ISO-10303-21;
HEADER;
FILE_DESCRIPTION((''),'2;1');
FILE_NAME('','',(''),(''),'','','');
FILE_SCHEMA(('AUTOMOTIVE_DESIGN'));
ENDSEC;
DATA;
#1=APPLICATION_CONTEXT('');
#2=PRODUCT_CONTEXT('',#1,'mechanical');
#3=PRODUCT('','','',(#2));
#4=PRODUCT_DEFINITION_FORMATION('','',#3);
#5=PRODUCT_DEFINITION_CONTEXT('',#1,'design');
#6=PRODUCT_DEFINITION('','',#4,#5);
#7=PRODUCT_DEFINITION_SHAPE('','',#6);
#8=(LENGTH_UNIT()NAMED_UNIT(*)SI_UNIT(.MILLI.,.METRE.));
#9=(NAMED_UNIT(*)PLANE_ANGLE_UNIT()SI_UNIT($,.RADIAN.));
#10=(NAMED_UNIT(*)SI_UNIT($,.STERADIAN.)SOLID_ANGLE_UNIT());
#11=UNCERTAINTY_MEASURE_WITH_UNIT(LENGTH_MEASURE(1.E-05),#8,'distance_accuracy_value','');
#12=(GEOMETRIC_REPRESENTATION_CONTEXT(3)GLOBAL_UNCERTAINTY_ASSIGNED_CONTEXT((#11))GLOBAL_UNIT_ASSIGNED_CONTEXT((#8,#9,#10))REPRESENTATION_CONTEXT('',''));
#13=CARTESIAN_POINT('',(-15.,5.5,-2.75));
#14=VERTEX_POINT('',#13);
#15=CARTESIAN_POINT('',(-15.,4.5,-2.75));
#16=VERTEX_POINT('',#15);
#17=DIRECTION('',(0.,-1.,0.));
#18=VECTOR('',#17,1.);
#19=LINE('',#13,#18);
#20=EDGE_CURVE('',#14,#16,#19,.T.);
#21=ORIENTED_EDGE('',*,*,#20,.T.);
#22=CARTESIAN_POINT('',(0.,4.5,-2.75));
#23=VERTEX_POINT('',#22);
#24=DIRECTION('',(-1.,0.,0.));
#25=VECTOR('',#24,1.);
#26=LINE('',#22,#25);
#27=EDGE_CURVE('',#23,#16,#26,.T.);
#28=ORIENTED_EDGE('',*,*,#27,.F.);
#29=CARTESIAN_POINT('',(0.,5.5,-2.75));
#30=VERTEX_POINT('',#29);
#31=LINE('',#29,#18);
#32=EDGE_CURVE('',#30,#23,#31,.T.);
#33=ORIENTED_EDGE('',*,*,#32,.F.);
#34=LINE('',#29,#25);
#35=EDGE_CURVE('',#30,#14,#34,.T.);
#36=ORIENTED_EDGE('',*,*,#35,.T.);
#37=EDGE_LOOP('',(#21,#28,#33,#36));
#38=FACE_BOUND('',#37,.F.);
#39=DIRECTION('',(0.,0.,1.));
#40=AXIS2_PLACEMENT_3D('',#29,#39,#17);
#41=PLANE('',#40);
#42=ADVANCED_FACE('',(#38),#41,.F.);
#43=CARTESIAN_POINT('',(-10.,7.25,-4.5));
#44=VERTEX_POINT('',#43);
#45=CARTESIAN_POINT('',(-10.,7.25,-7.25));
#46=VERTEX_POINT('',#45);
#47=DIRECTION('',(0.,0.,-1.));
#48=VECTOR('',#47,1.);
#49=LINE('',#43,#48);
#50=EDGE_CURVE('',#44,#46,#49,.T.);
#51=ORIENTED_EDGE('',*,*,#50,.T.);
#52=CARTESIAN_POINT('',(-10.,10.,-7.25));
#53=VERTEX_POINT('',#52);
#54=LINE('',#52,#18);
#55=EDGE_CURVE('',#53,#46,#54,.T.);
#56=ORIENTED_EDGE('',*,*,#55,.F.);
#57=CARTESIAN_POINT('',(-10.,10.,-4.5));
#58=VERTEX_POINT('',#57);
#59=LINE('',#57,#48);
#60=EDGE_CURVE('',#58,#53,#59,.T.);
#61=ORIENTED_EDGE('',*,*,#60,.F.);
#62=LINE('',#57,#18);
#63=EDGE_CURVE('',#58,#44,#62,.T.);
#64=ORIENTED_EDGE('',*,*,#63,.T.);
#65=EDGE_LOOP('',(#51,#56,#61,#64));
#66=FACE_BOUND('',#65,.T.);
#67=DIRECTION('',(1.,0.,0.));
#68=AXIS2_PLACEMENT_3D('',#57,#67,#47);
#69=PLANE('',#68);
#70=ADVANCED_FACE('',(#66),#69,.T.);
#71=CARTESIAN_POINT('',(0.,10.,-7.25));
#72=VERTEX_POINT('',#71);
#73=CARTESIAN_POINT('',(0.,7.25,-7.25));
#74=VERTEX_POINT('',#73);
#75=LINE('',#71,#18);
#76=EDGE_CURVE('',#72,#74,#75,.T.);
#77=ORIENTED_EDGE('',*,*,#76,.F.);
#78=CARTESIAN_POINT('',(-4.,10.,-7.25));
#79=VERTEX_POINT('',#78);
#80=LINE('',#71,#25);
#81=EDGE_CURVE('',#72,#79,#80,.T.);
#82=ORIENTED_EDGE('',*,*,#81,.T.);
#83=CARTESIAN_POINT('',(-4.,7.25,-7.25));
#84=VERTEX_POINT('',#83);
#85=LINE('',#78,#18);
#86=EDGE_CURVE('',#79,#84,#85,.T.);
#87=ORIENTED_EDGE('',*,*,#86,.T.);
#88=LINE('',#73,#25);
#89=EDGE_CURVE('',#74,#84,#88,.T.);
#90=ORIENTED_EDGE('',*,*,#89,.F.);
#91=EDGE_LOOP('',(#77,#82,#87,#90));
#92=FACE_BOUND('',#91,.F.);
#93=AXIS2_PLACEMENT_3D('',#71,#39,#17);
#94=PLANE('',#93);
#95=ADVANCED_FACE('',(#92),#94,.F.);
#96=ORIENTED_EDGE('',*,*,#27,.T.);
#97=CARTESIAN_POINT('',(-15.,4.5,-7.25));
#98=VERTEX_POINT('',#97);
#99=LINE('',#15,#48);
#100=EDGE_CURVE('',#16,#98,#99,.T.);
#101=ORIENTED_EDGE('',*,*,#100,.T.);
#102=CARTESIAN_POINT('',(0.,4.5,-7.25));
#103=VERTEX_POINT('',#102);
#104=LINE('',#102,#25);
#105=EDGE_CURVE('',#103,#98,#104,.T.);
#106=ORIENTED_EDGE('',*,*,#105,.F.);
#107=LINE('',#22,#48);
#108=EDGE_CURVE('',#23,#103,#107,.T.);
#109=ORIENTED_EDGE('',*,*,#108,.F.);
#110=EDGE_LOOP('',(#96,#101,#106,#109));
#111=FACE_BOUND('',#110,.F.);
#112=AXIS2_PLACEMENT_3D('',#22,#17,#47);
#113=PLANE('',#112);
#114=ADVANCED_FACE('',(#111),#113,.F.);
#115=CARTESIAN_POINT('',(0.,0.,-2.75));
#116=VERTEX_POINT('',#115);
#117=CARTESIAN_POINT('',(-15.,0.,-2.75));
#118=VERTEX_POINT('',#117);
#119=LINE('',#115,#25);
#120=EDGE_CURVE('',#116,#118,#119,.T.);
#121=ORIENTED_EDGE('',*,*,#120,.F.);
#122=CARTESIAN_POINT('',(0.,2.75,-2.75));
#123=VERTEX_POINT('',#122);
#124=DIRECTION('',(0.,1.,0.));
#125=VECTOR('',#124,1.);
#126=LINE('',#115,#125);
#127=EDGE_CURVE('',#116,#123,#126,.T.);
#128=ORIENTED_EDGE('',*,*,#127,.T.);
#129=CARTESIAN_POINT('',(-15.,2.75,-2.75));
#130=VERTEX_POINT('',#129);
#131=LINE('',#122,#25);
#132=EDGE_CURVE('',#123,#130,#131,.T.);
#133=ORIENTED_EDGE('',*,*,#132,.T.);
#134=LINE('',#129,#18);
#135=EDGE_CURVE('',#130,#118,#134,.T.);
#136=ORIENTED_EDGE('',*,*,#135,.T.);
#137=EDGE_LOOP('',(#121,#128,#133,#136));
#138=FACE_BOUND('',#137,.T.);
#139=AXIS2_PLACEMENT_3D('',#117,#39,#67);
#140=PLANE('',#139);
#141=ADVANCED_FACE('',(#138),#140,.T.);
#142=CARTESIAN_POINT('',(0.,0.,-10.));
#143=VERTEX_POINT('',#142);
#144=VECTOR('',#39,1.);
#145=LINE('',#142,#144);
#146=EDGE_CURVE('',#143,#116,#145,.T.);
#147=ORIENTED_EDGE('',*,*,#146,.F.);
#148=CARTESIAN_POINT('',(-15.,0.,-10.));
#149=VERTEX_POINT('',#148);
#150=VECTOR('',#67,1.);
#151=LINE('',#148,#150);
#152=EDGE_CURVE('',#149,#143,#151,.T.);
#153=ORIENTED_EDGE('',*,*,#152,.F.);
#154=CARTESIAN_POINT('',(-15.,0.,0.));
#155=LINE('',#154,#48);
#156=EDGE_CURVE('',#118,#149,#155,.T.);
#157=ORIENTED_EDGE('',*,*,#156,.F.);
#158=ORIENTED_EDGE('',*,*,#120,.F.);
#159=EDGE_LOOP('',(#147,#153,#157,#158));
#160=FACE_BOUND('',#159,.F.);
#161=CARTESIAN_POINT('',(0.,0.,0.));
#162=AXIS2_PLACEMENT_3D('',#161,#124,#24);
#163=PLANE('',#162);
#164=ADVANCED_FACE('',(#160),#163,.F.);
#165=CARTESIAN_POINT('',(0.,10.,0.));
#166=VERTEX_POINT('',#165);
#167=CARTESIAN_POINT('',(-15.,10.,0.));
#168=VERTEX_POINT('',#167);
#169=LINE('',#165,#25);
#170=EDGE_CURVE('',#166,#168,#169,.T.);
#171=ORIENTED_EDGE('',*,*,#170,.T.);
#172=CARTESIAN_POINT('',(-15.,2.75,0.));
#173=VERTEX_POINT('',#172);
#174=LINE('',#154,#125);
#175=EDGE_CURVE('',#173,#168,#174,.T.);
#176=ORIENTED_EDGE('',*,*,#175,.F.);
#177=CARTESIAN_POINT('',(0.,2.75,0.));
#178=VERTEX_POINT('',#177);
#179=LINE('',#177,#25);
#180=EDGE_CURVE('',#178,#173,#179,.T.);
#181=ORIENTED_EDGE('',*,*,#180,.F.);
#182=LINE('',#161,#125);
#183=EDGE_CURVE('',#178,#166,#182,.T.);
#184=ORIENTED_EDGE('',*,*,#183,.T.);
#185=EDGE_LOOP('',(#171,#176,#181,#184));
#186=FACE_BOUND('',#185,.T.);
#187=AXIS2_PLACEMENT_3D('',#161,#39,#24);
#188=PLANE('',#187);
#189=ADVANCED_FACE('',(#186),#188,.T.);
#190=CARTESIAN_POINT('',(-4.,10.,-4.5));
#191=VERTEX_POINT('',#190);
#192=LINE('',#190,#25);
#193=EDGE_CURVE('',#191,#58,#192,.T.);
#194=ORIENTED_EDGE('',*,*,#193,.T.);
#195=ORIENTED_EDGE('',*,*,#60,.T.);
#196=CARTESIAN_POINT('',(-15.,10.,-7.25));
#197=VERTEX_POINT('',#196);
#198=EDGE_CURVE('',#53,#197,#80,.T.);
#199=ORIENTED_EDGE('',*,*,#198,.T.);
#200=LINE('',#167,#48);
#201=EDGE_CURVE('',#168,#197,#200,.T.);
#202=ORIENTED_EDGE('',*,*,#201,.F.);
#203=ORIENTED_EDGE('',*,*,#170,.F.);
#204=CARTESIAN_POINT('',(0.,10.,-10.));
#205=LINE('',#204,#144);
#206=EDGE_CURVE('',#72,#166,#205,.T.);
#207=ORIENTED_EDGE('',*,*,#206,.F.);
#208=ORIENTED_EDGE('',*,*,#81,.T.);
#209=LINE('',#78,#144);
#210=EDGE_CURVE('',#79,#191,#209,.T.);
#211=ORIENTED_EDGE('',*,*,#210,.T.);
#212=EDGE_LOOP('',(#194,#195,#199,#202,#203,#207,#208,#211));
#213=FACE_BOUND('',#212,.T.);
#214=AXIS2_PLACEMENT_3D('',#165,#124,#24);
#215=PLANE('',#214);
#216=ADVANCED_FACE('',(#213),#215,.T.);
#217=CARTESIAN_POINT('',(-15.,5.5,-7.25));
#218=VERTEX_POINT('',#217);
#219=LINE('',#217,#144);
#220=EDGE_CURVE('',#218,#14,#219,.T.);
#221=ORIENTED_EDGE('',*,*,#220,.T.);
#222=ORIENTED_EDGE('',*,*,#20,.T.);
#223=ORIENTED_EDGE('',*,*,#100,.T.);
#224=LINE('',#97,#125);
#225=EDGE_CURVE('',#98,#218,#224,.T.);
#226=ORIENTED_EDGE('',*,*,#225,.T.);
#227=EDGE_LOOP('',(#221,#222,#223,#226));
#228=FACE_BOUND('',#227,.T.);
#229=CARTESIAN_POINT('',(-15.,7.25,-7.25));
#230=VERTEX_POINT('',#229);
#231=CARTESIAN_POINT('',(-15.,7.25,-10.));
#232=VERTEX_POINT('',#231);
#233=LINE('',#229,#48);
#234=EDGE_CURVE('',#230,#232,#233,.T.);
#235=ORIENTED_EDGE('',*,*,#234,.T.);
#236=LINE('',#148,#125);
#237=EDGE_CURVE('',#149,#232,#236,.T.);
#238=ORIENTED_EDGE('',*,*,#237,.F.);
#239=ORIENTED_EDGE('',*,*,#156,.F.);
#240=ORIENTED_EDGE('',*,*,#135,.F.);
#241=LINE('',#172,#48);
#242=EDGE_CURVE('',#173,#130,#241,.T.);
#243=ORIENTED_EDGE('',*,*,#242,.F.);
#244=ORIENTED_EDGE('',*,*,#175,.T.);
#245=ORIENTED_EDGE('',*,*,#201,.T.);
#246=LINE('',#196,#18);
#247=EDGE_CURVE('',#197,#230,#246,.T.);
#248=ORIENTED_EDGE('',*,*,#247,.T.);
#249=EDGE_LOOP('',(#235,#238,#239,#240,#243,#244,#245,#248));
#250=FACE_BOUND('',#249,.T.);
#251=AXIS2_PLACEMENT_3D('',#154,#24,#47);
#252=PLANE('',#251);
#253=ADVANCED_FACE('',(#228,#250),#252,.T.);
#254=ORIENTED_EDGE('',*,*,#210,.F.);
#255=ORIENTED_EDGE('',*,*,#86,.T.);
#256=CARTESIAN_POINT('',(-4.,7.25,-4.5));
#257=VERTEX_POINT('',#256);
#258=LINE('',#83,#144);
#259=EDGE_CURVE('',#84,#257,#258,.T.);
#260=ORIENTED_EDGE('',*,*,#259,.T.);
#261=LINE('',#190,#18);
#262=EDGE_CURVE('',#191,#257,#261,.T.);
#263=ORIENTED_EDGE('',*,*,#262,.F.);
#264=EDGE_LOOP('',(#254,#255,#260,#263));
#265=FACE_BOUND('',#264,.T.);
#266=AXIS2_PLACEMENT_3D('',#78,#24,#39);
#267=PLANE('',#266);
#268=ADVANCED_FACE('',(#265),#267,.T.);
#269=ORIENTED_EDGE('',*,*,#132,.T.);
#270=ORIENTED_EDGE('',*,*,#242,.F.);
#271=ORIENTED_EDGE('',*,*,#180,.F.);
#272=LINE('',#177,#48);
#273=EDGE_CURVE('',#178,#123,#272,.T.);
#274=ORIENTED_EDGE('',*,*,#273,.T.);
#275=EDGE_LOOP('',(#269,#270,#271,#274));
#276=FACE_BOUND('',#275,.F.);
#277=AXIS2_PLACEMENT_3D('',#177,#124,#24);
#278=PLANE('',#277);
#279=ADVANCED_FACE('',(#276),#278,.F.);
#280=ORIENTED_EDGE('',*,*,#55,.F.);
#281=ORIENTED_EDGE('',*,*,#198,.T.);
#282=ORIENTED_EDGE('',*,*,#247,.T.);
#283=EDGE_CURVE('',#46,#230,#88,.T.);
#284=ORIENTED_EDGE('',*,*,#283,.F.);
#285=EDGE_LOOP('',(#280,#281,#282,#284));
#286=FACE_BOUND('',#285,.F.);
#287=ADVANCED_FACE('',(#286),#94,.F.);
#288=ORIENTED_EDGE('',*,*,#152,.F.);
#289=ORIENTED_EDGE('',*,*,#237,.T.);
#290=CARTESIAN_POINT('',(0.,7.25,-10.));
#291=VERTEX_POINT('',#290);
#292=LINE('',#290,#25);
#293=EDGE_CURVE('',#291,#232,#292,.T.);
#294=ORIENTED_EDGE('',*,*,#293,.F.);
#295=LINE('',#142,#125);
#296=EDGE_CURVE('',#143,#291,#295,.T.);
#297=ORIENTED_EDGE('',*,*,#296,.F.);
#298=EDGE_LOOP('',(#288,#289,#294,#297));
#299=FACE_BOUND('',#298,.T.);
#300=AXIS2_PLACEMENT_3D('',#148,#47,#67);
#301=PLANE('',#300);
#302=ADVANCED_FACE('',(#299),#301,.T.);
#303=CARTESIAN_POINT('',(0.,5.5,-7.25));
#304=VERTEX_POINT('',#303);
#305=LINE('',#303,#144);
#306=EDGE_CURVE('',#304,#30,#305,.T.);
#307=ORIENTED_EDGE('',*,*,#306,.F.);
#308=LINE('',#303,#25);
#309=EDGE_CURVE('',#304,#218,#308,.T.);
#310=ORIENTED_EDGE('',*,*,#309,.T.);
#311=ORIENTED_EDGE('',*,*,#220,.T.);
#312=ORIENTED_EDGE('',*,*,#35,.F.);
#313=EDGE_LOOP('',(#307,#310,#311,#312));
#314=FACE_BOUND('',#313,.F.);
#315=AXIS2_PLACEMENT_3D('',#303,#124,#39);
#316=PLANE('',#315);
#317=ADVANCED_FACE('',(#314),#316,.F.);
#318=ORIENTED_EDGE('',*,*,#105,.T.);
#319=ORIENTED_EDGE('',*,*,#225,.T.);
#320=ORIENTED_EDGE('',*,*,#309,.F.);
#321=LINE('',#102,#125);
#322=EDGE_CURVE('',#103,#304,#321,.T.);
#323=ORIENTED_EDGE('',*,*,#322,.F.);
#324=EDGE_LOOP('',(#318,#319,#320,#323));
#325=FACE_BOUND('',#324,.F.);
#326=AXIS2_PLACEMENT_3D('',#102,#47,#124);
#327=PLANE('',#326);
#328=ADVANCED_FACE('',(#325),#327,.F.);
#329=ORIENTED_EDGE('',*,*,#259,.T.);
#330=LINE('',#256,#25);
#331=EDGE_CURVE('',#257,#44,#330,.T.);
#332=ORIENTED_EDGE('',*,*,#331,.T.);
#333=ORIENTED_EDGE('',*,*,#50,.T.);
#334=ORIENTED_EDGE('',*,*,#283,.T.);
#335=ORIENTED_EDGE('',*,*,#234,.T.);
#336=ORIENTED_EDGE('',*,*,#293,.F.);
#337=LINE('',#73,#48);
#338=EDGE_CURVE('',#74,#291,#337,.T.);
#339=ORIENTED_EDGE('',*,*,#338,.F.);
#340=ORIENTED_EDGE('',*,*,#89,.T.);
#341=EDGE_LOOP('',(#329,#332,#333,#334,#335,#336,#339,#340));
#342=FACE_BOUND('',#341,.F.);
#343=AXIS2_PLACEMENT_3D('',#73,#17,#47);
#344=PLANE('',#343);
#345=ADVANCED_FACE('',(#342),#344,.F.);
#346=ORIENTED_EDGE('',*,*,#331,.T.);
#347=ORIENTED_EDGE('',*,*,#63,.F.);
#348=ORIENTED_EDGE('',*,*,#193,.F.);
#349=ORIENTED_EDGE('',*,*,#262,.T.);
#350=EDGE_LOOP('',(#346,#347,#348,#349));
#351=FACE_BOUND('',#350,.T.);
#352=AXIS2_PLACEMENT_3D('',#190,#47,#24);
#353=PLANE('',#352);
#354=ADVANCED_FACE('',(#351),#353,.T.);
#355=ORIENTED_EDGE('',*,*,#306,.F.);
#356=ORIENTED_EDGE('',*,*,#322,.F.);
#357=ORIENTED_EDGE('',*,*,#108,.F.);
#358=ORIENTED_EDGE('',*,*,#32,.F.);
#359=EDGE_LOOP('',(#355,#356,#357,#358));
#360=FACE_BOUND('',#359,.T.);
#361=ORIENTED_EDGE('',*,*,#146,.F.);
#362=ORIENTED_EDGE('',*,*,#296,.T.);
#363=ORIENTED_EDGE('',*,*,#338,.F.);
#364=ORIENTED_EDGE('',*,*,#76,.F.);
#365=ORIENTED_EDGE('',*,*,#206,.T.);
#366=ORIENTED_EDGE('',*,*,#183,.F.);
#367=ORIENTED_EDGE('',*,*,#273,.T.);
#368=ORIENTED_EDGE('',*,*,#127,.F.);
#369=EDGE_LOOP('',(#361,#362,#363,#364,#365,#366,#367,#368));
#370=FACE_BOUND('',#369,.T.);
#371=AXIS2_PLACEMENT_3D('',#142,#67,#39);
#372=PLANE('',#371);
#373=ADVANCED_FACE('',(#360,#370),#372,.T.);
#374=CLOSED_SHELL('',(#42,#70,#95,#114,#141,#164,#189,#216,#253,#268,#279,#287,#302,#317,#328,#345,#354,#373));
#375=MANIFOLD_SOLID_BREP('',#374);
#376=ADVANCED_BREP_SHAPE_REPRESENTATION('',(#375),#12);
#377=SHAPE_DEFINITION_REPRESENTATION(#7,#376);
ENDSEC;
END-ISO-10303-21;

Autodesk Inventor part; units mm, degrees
ref_plane "YZ Plane" through (0, 0, 0) normal (1, 0, 0) x (0, 1, 0)
ref_plane "XZ Plane" through (0, 0, 0) normal (0, 1, 0) x (-1, 0, 0)
ref_plane "XY Plane" through (0, 0, 0) normal (0, 0, 1) x (1, 0, 0)
sketch "Sketch1" plane through (0, 0, 0) normal (0, 1, 0) x (-1, 0, 0)
  line L0 (0, 0) -> (15, 0)
  line L1 (15, 0) -> (15, -10)
  line L2 (15, -10) -> (0, -10)
  line L3 (0, -10) -> (0, 0)
  dimension "d0" = 15
  dimension "d1" = 10
extrude "Extrusion1" add sketch "Sketch1" along normal blind 10
sketch "Sketch2" plane through (-15, 0, 0) normal (0, 0, 1) x (1, 0, 0)
  line L0 (15, 0) -> (0, 0) projected
  line L1 (15, 0) -> (15, 10) projected
  line L2 (0, 0) -> (15, 0)
  line L3 (15, 0) -> (15, 2.75)
  line L4 (15, 2.75) -> (0, 2.75)
  line L5 (0, 2.75) -> (0, 0)
  dimension "d4" = 2.75
extrude "Extrusion2" cut sketch "Sketch2" against normal blind 2.75
sketch "Sketch3" plane through (0, 0, -10) normal (1, 0, 0) x (0, 0, -1)
  line L0 (0, 10) -> (-2.75, 10)
  line L1 (-2.75, 10) -> (-2.75, 7.25)
  line L2 (-2.75, 7.25) -> (0, 7.25)
  line L3 (0, 7.25) -> (0, 10)
  point P0 (-10, 0)
  dimension "d7" = 2.75
  dimension "d8" = 2.75
extrude "Extrusion3" cut sketch "Sketch3" against normal blind 15
sketch "Sketch4" plane through (0, 10, 0) normal (0, 1, 0) x (1, 0, 0)
  line L0 (0, 7.25) -> (-15, 7.25) projected
  line L1 (-10, 7.25) -> (-4, 7.25)
  line L2 (-4, 7.25) -> (-4, 4.5)
  line L3 (-4, 4.5) -> (-10, 4.5)
  line L4 (-10, 4.5) -> (-10, 7.25)
  dimension "d11" = 6
  dimension "d12" = 2.75
extrude "Extrusion4" cut sketch "Sketch4" against normal blind 2.75
sketch "Sketch5" plane through (0, 0, -2.75) normal (1, 0, 0) x (0, 0, -1)
  line L0 (0, 4.5) -> (4.5, 4.5)
  line L1 (4.5, 4.5) -> (4.5, 5.5)
  line L2 (4.5, 5.5) -> (0, 5.5)
  line L3 (0, 5.5) -> (0, 4.5)
  point P0 (-2.75, 0)
  dimension "d15" = 1
extrude "Extrusion5" cut sketch "Sketch5" against normal blind 15
properties part number "148"
